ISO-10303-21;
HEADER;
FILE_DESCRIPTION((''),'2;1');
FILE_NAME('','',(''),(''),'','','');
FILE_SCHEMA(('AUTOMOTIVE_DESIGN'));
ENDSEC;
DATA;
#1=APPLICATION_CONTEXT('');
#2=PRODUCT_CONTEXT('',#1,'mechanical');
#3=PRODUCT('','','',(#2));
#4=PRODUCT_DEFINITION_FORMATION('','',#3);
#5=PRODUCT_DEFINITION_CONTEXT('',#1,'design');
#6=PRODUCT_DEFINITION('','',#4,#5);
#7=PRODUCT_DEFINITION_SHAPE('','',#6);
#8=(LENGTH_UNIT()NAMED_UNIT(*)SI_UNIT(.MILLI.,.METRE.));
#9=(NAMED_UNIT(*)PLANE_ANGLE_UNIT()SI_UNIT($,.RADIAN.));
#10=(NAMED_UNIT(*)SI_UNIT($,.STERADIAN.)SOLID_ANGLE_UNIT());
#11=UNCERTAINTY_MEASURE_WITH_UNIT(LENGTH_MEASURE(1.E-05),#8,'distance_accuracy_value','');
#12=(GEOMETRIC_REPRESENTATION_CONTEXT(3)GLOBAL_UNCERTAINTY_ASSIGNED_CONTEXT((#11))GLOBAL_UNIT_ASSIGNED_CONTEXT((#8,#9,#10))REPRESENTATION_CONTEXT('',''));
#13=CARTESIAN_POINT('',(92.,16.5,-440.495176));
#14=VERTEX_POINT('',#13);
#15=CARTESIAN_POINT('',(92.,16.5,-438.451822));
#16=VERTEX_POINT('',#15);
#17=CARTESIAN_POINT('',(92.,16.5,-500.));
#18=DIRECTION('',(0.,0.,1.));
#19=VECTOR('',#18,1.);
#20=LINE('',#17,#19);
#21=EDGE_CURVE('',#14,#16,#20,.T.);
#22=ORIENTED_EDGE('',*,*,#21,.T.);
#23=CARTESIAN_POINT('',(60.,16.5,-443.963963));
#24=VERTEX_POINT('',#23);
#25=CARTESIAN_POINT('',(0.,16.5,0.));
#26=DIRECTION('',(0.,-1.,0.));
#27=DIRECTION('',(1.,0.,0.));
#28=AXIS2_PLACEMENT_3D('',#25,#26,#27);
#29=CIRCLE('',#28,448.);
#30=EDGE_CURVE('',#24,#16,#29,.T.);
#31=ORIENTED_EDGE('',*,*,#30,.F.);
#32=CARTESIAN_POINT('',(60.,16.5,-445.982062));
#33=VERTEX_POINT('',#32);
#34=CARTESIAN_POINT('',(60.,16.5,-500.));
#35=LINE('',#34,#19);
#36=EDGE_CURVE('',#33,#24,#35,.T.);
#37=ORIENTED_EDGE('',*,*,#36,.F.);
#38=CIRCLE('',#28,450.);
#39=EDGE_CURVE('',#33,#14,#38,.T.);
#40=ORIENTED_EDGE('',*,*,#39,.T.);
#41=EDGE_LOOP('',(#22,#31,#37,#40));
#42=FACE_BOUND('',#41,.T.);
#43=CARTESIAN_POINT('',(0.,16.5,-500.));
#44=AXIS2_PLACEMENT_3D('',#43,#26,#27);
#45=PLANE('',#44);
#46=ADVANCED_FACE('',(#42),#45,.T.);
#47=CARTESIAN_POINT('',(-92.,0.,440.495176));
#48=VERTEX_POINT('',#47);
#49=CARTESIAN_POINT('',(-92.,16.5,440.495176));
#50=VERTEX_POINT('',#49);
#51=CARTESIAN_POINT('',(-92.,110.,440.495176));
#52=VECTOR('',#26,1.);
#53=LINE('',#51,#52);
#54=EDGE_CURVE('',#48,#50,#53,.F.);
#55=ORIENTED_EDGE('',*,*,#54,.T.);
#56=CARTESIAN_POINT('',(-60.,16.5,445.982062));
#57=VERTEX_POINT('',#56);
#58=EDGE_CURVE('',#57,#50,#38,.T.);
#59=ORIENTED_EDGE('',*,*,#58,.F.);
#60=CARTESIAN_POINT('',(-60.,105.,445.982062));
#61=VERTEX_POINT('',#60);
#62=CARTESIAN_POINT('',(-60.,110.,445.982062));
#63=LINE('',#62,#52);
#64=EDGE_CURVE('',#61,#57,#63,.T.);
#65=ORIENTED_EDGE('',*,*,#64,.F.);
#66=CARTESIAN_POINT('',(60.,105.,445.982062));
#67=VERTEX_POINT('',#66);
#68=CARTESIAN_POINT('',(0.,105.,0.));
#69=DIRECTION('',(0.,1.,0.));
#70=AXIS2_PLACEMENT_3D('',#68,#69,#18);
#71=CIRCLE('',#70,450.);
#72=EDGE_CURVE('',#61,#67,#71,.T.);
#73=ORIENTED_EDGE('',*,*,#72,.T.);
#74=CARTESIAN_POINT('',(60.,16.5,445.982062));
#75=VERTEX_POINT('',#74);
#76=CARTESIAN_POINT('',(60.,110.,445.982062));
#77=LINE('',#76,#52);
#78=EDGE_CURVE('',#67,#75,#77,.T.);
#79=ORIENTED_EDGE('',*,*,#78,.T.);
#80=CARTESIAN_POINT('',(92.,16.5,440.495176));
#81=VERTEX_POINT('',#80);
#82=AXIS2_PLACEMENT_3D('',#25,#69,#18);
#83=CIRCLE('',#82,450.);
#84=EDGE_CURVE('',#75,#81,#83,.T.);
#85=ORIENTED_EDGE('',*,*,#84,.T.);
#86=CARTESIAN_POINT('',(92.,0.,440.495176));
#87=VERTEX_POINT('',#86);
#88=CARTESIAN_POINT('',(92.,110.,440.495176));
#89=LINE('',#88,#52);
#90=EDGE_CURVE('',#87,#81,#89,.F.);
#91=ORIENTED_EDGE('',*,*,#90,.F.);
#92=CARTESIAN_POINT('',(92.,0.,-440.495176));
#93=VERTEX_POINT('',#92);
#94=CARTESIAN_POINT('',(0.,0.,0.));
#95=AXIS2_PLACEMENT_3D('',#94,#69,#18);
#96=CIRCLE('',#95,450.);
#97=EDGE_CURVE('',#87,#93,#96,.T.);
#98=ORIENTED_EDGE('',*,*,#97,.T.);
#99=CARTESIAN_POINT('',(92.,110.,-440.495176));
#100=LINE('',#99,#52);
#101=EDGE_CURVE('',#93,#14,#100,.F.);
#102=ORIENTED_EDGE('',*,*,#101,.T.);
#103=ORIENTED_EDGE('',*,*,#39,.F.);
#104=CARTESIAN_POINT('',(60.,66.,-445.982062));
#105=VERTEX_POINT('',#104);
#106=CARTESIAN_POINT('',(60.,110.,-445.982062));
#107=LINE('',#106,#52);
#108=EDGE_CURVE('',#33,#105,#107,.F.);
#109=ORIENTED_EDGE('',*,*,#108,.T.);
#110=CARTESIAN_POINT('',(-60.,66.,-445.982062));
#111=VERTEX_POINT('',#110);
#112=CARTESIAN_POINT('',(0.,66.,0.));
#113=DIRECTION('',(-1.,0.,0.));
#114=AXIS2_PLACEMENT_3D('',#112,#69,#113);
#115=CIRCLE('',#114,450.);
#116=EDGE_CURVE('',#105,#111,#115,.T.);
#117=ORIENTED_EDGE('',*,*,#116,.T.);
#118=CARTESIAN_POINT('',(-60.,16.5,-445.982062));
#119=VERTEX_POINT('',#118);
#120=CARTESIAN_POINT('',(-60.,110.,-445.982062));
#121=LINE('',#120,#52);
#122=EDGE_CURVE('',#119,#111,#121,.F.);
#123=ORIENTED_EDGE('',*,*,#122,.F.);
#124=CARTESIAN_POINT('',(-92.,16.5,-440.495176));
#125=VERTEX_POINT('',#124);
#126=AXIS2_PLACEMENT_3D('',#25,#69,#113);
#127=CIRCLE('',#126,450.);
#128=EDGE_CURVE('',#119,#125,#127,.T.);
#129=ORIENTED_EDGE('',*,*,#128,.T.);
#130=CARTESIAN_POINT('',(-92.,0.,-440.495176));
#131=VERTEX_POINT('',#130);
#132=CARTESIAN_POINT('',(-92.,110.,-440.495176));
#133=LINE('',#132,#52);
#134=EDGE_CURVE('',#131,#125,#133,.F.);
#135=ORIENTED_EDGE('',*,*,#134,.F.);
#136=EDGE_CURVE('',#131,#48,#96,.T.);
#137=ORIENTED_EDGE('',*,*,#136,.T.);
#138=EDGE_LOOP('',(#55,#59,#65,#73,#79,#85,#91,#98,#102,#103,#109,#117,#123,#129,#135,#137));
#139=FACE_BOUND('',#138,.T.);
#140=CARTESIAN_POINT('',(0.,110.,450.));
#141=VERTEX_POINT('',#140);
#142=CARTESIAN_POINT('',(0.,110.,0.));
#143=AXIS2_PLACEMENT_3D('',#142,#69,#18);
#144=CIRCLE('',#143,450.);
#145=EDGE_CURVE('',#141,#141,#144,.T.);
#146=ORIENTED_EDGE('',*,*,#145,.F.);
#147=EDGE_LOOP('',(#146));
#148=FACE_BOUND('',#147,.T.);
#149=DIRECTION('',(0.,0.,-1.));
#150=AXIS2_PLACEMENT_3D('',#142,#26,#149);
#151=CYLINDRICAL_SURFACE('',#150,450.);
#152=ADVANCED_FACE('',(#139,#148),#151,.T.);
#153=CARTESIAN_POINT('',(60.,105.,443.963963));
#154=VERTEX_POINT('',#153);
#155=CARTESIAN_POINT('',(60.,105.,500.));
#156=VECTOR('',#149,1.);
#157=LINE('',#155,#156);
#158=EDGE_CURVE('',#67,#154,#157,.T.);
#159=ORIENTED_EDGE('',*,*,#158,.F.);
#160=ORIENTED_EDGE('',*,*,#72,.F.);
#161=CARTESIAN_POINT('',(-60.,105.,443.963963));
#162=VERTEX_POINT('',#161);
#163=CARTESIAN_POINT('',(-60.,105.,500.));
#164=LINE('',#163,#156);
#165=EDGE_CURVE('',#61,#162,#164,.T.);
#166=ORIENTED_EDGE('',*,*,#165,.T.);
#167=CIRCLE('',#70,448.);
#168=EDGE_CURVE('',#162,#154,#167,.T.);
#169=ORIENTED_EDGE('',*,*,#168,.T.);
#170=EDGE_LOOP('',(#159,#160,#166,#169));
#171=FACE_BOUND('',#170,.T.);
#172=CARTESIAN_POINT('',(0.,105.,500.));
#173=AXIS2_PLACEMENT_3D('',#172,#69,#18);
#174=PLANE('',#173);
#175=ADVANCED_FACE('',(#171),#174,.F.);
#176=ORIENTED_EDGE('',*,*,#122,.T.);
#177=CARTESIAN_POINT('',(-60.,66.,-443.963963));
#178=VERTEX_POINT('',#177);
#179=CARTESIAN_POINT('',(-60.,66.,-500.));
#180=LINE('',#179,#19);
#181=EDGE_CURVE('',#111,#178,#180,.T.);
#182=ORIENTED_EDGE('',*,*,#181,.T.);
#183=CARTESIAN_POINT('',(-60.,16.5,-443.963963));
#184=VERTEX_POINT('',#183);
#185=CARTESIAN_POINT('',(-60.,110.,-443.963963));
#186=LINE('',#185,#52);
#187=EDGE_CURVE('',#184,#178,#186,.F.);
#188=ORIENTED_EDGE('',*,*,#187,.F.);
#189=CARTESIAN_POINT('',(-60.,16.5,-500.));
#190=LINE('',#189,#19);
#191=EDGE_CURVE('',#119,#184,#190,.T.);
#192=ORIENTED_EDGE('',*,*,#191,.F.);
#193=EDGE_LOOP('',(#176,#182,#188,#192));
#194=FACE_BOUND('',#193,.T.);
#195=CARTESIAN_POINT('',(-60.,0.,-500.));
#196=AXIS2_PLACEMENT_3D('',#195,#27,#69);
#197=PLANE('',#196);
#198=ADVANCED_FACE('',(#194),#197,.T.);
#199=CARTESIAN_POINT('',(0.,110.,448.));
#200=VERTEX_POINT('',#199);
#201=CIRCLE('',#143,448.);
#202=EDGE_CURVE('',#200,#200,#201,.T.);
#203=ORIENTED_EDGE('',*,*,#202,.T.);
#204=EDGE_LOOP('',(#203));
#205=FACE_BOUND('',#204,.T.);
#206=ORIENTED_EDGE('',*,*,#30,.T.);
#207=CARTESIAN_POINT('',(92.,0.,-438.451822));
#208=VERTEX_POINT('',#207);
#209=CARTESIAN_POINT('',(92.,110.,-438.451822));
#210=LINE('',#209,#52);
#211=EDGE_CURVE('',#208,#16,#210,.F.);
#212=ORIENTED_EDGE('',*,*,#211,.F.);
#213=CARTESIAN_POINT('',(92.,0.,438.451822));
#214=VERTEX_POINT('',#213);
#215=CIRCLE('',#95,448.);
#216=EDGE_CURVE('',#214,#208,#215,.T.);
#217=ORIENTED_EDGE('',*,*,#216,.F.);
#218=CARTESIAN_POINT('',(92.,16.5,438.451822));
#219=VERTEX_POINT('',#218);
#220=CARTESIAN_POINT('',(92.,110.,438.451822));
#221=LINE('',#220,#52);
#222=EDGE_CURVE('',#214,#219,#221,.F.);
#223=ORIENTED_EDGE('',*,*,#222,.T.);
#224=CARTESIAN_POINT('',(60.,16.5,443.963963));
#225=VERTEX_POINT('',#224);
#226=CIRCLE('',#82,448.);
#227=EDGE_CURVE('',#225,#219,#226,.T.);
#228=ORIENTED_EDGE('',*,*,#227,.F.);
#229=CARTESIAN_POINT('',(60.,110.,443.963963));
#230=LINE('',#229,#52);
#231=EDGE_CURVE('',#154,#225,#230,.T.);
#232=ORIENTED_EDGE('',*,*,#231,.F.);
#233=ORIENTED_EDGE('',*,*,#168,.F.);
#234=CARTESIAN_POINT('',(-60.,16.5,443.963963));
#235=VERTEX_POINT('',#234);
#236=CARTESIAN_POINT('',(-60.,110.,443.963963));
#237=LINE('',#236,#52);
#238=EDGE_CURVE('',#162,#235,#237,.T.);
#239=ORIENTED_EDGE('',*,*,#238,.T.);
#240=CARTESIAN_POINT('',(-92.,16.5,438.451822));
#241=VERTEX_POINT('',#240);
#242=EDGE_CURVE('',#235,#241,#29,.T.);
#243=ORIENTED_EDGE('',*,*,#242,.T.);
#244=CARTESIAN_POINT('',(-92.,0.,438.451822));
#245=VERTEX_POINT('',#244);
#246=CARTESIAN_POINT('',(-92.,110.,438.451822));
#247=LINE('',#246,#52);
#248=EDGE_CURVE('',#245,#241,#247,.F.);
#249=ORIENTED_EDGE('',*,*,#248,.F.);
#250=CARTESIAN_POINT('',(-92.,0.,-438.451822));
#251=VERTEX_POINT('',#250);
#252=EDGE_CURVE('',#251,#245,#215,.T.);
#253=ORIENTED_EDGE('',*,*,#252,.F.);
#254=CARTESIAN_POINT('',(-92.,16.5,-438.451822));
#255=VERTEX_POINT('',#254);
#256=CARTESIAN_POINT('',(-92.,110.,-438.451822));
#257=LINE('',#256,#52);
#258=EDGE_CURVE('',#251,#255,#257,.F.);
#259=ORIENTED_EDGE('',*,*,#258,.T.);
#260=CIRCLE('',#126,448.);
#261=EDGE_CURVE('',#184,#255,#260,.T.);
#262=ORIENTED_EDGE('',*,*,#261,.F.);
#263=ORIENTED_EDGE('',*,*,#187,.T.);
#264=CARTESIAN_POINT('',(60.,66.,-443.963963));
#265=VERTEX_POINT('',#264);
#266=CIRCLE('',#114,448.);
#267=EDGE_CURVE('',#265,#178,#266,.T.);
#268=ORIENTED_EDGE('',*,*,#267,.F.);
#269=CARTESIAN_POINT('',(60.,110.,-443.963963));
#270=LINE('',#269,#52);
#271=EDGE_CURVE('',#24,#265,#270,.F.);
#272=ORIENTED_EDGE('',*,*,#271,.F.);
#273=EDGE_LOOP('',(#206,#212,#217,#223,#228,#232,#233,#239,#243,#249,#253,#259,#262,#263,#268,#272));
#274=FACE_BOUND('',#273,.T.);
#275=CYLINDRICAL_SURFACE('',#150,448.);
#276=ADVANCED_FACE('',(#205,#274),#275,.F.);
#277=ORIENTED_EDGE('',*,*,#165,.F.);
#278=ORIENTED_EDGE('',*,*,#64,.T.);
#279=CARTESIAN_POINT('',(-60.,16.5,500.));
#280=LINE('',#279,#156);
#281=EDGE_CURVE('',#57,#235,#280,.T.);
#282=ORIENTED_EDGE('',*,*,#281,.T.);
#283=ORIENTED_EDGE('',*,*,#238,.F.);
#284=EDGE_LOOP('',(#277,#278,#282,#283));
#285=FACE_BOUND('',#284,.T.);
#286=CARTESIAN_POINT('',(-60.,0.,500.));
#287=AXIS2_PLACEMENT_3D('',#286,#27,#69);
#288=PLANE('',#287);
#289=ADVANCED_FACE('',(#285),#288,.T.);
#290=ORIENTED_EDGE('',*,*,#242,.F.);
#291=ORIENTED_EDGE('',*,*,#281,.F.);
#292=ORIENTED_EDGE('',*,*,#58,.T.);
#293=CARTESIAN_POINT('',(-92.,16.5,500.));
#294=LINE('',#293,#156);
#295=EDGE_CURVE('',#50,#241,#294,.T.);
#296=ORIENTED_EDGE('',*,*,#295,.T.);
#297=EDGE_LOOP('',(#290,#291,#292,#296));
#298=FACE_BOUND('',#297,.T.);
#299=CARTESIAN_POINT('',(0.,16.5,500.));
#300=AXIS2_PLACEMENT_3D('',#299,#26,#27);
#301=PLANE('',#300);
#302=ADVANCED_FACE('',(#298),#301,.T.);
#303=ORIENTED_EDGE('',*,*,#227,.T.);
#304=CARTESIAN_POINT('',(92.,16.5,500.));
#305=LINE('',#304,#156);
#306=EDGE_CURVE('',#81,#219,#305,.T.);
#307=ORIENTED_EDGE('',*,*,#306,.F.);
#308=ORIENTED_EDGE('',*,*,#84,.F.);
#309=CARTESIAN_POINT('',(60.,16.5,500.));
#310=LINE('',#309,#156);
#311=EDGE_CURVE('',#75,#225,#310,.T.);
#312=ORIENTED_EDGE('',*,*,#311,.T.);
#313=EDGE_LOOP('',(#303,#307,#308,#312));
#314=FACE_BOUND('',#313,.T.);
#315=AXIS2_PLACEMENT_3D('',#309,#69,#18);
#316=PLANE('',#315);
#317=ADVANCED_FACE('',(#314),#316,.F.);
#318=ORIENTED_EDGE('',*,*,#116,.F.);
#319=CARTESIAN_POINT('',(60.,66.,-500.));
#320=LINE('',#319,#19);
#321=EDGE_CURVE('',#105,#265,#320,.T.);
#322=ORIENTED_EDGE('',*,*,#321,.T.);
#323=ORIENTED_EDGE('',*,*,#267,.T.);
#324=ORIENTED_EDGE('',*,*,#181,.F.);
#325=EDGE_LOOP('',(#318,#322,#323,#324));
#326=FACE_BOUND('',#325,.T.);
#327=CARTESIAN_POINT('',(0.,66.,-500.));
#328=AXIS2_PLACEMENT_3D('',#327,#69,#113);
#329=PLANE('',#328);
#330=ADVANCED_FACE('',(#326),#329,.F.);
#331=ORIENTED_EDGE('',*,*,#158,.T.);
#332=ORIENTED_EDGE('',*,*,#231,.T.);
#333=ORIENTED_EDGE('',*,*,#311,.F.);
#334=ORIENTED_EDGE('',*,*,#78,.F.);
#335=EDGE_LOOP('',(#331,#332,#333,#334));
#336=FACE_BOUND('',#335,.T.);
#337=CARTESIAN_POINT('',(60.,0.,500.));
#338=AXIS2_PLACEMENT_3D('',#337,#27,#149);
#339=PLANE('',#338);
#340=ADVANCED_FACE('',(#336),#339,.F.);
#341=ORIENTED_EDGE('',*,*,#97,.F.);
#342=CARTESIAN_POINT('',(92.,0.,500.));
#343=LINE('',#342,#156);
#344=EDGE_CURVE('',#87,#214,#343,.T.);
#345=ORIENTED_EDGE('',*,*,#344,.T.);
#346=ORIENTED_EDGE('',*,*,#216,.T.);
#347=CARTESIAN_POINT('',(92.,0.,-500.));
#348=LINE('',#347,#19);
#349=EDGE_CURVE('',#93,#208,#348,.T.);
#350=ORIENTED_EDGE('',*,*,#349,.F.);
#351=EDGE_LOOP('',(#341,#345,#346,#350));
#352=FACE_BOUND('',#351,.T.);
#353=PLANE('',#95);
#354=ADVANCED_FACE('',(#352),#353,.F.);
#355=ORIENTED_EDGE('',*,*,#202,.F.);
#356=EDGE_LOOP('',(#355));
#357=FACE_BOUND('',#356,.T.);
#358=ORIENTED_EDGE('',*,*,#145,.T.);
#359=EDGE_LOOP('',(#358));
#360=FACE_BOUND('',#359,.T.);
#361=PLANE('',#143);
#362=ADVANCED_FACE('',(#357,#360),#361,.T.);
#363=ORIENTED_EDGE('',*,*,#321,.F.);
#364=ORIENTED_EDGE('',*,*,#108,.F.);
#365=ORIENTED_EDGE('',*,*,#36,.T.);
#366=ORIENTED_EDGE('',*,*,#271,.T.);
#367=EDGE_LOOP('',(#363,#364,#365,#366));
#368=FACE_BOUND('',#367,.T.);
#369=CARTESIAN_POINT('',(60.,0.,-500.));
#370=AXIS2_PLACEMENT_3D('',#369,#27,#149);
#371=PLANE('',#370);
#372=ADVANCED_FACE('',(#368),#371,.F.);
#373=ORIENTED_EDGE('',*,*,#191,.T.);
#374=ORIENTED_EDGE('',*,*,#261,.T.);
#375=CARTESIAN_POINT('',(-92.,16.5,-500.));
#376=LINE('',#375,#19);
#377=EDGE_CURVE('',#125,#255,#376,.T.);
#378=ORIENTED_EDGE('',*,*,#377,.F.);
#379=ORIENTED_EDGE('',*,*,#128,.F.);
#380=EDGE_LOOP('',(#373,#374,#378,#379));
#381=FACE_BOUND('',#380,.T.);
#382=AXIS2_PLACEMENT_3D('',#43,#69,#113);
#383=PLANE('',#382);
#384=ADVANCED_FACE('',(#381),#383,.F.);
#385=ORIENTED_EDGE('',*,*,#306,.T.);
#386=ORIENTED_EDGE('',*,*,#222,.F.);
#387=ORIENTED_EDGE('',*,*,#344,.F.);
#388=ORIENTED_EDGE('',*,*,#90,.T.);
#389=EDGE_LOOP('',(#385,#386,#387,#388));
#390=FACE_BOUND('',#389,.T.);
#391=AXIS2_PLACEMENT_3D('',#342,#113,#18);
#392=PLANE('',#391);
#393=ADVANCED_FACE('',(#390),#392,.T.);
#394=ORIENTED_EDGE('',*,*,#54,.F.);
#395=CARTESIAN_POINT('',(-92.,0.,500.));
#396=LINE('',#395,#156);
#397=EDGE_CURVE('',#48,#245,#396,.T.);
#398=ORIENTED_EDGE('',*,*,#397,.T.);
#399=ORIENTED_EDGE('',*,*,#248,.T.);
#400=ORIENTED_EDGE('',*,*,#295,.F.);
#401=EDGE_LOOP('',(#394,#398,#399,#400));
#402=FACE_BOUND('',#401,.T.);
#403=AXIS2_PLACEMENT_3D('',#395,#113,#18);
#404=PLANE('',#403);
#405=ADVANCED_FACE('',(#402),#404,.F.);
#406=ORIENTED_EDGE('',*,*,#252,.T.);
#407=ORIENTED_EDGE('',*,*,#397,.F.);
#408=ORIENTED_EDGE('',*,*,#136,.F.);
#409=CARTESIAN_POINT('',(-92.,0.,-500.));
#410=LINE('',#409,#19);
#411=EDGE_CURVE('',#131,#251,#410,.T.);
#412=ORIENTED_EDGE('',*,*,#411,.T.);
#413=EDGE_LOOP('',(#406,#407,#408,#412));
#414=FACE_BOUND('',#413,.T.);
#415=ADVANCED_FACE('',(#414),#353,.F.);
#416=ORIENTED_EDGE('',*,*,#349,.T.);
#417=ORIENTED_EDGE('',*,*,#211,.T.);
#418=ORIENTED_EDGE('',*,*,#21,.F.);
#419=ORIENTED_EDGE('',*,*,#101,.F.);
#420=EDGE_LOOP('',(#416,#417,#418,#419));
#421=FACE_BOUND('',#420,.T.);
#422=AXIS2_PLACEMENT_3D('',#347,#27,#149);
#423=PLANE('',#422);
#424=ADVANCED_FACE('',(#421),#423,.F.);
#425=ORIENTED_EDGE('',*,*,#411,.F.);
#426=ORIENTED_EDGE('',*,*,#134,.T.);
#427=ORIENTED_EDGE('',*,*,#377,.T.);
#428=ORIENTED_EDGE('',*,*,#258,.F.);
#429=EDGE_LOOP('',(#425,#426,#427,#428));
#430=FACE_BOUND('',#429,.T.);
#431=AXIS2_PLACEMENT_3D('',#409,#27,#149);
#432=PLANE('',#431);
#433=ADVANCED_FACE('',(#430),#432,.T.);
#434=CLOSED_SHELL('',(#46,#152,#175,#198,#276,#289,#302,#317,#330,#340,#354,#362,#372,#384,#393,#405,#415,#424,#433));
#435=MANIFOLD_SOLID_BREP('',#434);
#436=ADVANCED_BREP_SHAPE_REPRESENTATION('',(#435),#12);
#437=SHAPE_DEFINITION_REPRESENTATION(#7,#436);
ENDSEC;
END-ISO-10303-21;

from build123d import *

# Parameters (mm, degrees)
CROQUIS1_R              = 450
CROQUIS1_R_2            = 448
SALIENTE_EXTRUIR2_DEPTH = 110
CROQUIS2_W              = 120
CROQUIS2_H              = 210
CROQUIS2_W_2            = 32
CROQUIS2_H_2            = 16.5
CORTAR_EXTRUIR2_DEPTH   = 500
CROQUIS3_W              = 120
CROQUIS3_H              = 66
CROQUIS3_W_2            = 32
CROQUIS3_H_2            = 16.5
CORTAR_EXTRUIR3_DEPTH   = 500


with BuildPart() as part:
    # Croquis1 → Saliente-Extruir2 (new body)
    with BuildSketch(Plane(origin=(0, 0, 0), x_dir=(1, 0, 0), z_dir=(0, 1, 0))):
        Circle(CROQUIS1_R)
        Circle(CROQUIS1_R_2, mode=Mode.SUBTRACT)
    extrude(amount=SALIENTE_EXTRUIR2_DEPTH)

    # Croquis2 → Cortar-Extruir2 (cut)
    with BuildSketch(Plane.XY):
        Rectangle(CROQUIS2_W, CROQUIS2_H)
        with Locations((-76, 8.25)):
            Rectangle(CROQUIS2_W_2, CROQUIS2_H_2)
        with Locations((76, 8.25)):
            Rectangle(CROQUIS2_W_2, CROQUIS2_H_2)
    extrude(amount=CORTAR_EXTRUIR2_DEPTH, mode=Mode.SUBTRACT)

    # Croquis3 → Cortar-Extruir3 (cut)
    with BuildSketch(Plane.XY):
        with Locations((0, 33)):
            Rectangle(CROQUIS3_W, CROQUIS3_H)
        with Locations((76, 8.25)):
            Rectangle(CROQUIS3_W_2, CROQUIS3_H_2)
        with Locations((-76, 8.25)):
            Rectangle(CROQUIS3_W_2, CROQUIS3_H_2)
    extrude(amount=-CORTAR_EXTRUIR3_DEPTH, mode=Mode.SUBTRACT)


solid = part.part
